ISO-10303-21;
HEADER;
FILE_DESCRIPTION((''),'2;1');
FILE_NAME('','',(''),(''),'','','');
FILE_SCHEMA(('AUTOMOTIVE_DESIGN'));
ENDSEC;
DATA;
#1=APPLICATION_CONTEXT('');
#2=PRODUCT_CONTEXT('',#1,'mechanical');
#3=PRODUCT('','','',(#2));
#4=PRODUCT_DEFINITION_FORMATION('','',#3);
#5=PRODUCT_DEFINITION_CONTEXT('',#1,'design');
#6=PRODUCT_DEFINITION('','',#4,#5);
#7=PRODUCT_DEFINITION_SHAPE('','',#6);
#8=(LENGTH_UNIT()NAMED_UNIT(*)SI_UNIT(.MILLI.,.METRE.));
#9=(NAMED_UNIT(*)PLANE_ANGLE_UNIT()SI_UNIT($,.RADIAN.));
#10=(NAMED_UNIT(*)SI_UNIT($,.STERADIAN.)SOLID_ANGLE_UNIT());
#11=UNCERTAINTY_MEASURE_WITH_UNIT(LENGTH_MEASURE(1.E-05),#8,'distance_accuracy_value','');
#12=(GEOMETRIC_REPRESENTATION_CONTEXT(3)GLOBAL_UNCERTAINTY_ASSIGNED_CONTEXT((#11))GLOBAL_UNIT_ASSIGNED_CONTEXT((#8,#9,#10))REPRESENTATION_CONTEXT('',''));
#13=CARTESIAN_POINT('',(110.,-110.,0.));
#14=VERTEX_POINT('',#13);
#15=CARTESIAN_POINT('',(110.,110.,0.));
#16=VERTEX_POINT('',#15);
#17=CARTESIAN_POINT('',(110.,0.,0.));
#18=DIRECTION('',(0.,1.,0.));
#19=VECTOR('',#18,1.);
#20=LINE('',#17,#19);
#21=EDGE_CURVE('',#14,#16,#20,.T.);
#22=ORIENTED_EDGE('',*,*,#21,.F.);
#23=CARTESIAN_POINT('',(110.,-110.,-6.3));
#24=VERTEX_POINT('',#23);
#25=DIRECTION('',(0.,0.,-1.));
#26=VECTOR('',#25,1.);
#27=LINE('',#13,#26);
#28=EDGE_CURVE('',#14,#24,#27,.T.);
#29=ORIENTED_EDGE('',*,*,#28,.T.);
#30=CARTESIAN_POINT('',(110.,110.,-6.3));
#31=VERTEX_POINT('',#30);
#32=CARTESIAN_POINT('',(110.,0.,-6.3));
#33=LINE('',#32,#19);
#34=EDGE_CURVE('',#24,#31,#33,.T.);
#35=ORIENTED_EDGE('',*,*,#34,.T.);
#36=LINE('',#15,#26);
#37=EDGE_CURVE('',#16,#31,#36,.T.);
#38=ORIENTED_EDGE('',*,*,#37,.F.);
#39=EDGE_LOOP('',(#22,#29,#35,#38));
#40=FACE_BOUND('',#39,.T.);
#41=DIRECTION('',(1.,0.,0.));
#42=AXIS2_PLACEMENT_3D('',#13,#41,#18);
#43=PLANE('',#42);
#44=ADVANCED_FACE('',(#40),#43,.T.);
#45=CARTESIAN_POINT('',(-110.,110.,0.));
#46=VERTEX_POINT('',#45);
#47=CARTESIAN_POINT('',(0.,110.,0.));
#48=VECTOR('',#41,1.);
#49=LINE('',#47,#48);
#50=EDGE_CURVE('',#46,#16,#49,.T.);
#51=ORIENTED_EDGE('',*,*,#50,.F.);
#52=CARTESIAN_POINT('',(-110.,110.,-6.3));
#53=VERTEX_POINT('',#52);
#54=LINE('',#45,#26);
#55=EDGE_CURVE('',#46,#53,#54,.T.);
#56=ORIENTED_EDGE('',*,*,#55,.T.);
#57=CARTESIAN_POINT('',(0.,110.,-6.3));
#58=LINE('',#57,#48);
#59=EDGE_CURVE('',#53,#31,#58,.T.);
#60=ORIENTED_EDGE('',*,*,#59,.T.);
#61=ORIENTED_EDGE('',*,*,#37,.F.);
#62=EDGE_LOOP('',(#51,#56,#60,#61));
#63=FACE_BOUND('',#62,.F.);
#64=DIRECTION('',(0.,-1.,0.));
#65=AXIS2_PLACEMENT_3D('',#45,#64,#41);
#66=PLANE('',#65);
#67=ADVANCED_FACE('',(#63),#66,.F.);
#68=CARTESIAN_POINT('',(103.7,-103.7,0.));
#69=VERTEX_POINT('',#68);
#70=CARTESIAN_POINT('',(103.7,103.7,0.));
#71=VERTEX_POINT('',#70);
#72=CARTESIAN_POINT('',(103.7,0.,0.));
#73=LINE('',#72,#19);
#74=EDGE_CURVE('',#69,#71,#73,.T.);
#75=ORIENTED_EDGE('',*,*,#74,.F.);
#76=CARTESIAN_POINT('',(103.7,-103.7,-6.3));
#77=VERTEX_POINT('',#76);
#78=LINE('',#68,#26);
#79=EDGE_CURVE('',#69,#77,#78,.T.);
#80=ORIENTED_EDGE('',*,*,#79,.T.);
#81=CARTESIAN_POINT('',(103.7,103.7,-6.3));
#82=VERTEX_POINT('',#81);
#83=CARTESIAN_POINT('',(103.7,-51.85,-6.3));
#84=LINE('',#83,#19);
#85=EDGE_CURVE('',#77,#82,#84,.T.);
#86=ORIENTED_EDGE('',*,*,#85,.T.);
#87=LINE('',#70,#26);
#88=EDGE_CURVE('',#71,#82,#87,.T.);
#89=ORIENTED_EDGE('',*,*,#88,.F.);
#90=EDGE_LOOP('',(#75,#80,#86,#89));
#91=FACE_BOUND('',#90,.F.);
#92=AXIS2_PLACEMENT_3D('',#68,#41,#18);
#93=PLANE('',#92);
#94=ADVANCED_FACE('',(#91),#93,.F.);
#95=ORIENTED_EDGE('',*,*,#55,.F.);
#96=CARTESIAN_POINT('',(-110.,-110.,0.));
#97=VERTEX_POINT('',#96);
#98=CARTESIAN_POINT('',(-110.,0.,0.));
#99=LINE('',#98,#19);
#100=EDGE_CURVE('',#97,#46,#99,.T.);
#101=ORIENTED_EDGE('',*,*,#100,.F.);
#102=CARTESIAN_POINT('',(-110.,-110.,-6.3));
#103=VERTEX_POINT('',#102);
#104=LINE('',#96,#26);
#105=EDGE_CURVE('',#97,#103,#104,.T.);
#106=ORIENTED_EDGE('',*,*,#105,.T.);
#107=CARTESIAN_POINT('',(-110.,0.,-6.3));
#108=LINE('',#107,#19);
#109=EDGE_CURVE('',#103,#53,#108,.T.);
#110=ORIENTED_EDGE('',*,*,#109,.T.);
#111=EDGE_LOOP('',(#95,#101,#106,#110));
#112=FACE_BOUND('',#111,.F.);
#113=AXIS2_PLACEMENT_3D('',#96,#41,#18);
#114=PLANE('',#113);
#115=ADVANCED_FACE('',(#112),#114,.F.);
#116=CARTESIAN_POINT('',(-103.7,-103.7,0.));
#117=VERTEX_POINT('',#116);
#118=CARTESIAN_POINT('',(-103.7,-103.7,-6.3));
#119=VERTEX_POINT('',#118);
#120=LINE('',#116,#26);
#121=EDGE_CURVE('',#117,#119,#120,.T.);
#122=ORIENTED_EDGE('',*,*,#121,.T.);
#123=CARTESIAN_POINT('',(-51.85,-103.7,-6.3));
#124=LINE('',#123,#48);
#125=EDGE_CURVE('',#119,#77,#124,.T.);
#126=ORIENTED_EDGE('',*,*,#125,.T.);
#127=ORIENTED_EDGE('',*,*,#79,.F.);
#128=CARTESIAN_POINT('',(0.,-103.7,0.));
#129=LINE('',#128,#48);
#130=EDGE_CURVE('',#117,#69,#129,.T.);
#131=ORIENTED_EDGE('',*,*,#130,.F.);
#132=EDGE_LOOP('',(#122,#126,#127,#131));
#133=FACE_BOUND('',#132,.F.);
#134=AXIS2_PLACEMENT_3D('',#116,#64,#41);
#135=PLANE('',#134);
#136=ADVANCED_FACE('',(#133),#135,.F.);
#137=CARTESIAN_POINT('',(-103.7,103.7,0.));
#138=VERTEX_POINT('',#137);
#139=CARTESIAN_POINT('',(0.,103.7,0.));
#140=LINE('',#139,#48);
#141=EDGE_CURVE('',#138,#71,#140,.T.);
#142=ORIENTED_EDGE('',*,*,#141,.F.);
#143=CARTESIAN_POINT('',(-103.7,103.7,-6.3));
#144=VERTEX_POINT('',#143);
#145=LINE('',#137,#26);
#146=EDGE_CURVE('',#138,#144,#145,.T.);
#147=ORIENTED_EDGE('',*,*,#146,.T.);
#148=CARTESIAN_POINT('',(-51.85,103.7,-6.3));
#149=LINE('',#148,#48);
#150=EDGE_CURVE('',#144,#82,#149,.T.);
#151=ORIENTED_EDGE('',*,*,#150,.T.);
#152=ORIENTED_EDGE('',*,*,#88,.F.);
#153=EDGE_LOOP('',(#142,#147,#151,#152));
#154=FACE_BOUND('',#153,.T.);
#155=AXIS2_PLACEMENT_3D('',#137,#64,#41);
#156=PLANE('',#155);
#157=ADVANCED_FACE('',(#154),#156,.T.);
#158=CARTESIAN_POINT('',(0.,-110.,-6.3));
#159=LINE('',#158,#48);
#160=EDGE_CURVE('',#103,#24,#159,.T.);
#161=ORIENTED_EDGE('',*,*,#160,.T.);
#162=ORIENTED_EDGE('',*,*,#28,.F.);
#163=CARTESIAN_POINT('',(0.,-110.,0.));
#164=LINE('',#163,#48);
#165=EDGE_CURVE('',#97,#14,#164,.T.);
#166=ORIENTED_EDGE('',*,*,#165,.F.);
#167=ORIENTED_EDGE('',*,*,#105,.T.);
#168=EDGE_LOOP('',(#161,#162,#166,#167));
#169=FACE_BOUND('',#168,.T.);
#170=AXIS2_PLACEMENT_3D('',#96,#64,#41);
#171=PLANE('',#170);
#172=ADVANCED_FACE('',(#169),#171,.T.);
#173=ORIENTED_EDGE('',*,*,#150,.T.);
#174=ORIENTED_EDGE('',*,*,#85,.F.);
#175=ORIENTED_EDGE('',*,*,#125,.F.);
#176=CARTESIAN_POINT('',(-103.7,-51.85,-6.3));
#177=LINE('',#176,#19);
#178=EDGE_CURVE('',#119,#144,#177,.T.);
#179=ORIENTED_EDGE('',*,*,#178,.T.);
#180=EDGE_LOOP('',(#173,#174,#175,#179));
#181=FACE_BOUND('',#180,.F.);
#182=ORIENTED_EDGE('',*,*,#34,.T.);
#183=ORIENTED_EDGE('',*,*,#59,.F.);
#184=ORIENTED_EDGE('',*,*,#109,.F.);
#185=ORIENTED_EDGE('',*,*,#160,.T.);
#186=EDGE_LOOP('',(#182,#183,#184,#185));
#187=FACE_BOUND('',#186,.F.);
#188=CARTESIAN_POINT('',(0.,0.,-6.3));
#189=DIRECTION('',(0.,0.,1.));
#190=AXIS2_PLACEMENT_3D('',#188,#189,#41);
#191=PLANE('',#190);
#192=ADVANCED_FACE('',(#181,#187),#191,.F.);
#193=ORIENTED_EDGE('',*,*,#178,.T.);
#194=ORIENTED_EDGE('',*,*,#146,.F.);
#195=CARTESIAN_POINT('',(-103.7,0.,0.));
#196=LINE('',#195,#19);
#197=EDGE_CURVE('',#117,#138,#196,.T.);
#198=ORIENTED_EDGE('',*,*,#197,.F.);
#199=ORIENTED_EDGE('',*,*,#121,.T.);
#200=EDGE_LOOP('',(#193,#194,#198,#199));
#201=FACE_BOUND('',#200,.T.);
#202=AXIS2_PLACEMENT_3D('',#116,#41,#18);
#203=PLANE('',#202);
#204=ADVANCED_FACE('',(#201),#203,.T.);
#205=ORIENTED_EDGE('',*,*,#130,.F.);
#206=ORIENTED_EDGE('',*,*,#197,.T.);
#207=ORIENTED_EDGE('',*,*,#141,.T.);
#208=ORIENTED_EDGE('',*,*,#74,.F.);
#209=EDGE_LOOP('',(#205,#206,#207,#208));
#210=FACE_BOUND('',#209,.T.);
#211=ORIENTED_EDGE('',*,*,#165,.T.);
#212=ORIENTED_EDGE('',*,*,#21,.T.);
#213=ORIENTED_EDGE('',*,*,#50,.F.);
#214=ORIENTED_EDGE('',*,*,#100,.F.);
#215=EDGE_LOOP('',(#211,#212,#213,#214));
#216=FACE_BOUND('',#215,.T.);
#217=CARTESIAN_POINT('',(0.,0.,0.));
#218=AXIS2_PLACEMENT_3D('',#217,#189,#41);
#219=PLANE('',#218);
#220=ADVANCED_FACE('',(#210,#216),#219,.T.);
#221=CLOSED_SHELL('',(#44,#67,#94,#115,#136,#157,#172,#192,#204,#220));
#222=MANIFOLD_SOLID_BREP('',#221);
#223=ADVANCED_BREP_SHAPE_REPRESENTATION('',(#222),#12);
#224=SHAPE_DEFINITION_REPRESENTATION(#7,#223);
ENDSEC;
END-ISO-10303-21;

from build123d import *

# Parameters (mm, degrees)
F0_W     = 220
F0_H     = 220
F1_DEPTH = 6.3
F2_W     = 207.4
F2_H     = 207.4
F3_DEPTH = 6.301


with BuildPart() as f1:
    # F0 (on Top) → F1 (new body)
    with BuildSketch(Plane.XY):
        Rectangle(F0_W, F0_H)
    extrude(amount=-F1_DEPTH)

    # F2 (on face) → F3 (cut, through all)
    with BuildSketch(Plane.XY):
        Rectangle(F2_W, F2_H)
    extrude(amount=-F3_DEPTH, mode=Mode.SUBTRACT)


solid = f1.part
